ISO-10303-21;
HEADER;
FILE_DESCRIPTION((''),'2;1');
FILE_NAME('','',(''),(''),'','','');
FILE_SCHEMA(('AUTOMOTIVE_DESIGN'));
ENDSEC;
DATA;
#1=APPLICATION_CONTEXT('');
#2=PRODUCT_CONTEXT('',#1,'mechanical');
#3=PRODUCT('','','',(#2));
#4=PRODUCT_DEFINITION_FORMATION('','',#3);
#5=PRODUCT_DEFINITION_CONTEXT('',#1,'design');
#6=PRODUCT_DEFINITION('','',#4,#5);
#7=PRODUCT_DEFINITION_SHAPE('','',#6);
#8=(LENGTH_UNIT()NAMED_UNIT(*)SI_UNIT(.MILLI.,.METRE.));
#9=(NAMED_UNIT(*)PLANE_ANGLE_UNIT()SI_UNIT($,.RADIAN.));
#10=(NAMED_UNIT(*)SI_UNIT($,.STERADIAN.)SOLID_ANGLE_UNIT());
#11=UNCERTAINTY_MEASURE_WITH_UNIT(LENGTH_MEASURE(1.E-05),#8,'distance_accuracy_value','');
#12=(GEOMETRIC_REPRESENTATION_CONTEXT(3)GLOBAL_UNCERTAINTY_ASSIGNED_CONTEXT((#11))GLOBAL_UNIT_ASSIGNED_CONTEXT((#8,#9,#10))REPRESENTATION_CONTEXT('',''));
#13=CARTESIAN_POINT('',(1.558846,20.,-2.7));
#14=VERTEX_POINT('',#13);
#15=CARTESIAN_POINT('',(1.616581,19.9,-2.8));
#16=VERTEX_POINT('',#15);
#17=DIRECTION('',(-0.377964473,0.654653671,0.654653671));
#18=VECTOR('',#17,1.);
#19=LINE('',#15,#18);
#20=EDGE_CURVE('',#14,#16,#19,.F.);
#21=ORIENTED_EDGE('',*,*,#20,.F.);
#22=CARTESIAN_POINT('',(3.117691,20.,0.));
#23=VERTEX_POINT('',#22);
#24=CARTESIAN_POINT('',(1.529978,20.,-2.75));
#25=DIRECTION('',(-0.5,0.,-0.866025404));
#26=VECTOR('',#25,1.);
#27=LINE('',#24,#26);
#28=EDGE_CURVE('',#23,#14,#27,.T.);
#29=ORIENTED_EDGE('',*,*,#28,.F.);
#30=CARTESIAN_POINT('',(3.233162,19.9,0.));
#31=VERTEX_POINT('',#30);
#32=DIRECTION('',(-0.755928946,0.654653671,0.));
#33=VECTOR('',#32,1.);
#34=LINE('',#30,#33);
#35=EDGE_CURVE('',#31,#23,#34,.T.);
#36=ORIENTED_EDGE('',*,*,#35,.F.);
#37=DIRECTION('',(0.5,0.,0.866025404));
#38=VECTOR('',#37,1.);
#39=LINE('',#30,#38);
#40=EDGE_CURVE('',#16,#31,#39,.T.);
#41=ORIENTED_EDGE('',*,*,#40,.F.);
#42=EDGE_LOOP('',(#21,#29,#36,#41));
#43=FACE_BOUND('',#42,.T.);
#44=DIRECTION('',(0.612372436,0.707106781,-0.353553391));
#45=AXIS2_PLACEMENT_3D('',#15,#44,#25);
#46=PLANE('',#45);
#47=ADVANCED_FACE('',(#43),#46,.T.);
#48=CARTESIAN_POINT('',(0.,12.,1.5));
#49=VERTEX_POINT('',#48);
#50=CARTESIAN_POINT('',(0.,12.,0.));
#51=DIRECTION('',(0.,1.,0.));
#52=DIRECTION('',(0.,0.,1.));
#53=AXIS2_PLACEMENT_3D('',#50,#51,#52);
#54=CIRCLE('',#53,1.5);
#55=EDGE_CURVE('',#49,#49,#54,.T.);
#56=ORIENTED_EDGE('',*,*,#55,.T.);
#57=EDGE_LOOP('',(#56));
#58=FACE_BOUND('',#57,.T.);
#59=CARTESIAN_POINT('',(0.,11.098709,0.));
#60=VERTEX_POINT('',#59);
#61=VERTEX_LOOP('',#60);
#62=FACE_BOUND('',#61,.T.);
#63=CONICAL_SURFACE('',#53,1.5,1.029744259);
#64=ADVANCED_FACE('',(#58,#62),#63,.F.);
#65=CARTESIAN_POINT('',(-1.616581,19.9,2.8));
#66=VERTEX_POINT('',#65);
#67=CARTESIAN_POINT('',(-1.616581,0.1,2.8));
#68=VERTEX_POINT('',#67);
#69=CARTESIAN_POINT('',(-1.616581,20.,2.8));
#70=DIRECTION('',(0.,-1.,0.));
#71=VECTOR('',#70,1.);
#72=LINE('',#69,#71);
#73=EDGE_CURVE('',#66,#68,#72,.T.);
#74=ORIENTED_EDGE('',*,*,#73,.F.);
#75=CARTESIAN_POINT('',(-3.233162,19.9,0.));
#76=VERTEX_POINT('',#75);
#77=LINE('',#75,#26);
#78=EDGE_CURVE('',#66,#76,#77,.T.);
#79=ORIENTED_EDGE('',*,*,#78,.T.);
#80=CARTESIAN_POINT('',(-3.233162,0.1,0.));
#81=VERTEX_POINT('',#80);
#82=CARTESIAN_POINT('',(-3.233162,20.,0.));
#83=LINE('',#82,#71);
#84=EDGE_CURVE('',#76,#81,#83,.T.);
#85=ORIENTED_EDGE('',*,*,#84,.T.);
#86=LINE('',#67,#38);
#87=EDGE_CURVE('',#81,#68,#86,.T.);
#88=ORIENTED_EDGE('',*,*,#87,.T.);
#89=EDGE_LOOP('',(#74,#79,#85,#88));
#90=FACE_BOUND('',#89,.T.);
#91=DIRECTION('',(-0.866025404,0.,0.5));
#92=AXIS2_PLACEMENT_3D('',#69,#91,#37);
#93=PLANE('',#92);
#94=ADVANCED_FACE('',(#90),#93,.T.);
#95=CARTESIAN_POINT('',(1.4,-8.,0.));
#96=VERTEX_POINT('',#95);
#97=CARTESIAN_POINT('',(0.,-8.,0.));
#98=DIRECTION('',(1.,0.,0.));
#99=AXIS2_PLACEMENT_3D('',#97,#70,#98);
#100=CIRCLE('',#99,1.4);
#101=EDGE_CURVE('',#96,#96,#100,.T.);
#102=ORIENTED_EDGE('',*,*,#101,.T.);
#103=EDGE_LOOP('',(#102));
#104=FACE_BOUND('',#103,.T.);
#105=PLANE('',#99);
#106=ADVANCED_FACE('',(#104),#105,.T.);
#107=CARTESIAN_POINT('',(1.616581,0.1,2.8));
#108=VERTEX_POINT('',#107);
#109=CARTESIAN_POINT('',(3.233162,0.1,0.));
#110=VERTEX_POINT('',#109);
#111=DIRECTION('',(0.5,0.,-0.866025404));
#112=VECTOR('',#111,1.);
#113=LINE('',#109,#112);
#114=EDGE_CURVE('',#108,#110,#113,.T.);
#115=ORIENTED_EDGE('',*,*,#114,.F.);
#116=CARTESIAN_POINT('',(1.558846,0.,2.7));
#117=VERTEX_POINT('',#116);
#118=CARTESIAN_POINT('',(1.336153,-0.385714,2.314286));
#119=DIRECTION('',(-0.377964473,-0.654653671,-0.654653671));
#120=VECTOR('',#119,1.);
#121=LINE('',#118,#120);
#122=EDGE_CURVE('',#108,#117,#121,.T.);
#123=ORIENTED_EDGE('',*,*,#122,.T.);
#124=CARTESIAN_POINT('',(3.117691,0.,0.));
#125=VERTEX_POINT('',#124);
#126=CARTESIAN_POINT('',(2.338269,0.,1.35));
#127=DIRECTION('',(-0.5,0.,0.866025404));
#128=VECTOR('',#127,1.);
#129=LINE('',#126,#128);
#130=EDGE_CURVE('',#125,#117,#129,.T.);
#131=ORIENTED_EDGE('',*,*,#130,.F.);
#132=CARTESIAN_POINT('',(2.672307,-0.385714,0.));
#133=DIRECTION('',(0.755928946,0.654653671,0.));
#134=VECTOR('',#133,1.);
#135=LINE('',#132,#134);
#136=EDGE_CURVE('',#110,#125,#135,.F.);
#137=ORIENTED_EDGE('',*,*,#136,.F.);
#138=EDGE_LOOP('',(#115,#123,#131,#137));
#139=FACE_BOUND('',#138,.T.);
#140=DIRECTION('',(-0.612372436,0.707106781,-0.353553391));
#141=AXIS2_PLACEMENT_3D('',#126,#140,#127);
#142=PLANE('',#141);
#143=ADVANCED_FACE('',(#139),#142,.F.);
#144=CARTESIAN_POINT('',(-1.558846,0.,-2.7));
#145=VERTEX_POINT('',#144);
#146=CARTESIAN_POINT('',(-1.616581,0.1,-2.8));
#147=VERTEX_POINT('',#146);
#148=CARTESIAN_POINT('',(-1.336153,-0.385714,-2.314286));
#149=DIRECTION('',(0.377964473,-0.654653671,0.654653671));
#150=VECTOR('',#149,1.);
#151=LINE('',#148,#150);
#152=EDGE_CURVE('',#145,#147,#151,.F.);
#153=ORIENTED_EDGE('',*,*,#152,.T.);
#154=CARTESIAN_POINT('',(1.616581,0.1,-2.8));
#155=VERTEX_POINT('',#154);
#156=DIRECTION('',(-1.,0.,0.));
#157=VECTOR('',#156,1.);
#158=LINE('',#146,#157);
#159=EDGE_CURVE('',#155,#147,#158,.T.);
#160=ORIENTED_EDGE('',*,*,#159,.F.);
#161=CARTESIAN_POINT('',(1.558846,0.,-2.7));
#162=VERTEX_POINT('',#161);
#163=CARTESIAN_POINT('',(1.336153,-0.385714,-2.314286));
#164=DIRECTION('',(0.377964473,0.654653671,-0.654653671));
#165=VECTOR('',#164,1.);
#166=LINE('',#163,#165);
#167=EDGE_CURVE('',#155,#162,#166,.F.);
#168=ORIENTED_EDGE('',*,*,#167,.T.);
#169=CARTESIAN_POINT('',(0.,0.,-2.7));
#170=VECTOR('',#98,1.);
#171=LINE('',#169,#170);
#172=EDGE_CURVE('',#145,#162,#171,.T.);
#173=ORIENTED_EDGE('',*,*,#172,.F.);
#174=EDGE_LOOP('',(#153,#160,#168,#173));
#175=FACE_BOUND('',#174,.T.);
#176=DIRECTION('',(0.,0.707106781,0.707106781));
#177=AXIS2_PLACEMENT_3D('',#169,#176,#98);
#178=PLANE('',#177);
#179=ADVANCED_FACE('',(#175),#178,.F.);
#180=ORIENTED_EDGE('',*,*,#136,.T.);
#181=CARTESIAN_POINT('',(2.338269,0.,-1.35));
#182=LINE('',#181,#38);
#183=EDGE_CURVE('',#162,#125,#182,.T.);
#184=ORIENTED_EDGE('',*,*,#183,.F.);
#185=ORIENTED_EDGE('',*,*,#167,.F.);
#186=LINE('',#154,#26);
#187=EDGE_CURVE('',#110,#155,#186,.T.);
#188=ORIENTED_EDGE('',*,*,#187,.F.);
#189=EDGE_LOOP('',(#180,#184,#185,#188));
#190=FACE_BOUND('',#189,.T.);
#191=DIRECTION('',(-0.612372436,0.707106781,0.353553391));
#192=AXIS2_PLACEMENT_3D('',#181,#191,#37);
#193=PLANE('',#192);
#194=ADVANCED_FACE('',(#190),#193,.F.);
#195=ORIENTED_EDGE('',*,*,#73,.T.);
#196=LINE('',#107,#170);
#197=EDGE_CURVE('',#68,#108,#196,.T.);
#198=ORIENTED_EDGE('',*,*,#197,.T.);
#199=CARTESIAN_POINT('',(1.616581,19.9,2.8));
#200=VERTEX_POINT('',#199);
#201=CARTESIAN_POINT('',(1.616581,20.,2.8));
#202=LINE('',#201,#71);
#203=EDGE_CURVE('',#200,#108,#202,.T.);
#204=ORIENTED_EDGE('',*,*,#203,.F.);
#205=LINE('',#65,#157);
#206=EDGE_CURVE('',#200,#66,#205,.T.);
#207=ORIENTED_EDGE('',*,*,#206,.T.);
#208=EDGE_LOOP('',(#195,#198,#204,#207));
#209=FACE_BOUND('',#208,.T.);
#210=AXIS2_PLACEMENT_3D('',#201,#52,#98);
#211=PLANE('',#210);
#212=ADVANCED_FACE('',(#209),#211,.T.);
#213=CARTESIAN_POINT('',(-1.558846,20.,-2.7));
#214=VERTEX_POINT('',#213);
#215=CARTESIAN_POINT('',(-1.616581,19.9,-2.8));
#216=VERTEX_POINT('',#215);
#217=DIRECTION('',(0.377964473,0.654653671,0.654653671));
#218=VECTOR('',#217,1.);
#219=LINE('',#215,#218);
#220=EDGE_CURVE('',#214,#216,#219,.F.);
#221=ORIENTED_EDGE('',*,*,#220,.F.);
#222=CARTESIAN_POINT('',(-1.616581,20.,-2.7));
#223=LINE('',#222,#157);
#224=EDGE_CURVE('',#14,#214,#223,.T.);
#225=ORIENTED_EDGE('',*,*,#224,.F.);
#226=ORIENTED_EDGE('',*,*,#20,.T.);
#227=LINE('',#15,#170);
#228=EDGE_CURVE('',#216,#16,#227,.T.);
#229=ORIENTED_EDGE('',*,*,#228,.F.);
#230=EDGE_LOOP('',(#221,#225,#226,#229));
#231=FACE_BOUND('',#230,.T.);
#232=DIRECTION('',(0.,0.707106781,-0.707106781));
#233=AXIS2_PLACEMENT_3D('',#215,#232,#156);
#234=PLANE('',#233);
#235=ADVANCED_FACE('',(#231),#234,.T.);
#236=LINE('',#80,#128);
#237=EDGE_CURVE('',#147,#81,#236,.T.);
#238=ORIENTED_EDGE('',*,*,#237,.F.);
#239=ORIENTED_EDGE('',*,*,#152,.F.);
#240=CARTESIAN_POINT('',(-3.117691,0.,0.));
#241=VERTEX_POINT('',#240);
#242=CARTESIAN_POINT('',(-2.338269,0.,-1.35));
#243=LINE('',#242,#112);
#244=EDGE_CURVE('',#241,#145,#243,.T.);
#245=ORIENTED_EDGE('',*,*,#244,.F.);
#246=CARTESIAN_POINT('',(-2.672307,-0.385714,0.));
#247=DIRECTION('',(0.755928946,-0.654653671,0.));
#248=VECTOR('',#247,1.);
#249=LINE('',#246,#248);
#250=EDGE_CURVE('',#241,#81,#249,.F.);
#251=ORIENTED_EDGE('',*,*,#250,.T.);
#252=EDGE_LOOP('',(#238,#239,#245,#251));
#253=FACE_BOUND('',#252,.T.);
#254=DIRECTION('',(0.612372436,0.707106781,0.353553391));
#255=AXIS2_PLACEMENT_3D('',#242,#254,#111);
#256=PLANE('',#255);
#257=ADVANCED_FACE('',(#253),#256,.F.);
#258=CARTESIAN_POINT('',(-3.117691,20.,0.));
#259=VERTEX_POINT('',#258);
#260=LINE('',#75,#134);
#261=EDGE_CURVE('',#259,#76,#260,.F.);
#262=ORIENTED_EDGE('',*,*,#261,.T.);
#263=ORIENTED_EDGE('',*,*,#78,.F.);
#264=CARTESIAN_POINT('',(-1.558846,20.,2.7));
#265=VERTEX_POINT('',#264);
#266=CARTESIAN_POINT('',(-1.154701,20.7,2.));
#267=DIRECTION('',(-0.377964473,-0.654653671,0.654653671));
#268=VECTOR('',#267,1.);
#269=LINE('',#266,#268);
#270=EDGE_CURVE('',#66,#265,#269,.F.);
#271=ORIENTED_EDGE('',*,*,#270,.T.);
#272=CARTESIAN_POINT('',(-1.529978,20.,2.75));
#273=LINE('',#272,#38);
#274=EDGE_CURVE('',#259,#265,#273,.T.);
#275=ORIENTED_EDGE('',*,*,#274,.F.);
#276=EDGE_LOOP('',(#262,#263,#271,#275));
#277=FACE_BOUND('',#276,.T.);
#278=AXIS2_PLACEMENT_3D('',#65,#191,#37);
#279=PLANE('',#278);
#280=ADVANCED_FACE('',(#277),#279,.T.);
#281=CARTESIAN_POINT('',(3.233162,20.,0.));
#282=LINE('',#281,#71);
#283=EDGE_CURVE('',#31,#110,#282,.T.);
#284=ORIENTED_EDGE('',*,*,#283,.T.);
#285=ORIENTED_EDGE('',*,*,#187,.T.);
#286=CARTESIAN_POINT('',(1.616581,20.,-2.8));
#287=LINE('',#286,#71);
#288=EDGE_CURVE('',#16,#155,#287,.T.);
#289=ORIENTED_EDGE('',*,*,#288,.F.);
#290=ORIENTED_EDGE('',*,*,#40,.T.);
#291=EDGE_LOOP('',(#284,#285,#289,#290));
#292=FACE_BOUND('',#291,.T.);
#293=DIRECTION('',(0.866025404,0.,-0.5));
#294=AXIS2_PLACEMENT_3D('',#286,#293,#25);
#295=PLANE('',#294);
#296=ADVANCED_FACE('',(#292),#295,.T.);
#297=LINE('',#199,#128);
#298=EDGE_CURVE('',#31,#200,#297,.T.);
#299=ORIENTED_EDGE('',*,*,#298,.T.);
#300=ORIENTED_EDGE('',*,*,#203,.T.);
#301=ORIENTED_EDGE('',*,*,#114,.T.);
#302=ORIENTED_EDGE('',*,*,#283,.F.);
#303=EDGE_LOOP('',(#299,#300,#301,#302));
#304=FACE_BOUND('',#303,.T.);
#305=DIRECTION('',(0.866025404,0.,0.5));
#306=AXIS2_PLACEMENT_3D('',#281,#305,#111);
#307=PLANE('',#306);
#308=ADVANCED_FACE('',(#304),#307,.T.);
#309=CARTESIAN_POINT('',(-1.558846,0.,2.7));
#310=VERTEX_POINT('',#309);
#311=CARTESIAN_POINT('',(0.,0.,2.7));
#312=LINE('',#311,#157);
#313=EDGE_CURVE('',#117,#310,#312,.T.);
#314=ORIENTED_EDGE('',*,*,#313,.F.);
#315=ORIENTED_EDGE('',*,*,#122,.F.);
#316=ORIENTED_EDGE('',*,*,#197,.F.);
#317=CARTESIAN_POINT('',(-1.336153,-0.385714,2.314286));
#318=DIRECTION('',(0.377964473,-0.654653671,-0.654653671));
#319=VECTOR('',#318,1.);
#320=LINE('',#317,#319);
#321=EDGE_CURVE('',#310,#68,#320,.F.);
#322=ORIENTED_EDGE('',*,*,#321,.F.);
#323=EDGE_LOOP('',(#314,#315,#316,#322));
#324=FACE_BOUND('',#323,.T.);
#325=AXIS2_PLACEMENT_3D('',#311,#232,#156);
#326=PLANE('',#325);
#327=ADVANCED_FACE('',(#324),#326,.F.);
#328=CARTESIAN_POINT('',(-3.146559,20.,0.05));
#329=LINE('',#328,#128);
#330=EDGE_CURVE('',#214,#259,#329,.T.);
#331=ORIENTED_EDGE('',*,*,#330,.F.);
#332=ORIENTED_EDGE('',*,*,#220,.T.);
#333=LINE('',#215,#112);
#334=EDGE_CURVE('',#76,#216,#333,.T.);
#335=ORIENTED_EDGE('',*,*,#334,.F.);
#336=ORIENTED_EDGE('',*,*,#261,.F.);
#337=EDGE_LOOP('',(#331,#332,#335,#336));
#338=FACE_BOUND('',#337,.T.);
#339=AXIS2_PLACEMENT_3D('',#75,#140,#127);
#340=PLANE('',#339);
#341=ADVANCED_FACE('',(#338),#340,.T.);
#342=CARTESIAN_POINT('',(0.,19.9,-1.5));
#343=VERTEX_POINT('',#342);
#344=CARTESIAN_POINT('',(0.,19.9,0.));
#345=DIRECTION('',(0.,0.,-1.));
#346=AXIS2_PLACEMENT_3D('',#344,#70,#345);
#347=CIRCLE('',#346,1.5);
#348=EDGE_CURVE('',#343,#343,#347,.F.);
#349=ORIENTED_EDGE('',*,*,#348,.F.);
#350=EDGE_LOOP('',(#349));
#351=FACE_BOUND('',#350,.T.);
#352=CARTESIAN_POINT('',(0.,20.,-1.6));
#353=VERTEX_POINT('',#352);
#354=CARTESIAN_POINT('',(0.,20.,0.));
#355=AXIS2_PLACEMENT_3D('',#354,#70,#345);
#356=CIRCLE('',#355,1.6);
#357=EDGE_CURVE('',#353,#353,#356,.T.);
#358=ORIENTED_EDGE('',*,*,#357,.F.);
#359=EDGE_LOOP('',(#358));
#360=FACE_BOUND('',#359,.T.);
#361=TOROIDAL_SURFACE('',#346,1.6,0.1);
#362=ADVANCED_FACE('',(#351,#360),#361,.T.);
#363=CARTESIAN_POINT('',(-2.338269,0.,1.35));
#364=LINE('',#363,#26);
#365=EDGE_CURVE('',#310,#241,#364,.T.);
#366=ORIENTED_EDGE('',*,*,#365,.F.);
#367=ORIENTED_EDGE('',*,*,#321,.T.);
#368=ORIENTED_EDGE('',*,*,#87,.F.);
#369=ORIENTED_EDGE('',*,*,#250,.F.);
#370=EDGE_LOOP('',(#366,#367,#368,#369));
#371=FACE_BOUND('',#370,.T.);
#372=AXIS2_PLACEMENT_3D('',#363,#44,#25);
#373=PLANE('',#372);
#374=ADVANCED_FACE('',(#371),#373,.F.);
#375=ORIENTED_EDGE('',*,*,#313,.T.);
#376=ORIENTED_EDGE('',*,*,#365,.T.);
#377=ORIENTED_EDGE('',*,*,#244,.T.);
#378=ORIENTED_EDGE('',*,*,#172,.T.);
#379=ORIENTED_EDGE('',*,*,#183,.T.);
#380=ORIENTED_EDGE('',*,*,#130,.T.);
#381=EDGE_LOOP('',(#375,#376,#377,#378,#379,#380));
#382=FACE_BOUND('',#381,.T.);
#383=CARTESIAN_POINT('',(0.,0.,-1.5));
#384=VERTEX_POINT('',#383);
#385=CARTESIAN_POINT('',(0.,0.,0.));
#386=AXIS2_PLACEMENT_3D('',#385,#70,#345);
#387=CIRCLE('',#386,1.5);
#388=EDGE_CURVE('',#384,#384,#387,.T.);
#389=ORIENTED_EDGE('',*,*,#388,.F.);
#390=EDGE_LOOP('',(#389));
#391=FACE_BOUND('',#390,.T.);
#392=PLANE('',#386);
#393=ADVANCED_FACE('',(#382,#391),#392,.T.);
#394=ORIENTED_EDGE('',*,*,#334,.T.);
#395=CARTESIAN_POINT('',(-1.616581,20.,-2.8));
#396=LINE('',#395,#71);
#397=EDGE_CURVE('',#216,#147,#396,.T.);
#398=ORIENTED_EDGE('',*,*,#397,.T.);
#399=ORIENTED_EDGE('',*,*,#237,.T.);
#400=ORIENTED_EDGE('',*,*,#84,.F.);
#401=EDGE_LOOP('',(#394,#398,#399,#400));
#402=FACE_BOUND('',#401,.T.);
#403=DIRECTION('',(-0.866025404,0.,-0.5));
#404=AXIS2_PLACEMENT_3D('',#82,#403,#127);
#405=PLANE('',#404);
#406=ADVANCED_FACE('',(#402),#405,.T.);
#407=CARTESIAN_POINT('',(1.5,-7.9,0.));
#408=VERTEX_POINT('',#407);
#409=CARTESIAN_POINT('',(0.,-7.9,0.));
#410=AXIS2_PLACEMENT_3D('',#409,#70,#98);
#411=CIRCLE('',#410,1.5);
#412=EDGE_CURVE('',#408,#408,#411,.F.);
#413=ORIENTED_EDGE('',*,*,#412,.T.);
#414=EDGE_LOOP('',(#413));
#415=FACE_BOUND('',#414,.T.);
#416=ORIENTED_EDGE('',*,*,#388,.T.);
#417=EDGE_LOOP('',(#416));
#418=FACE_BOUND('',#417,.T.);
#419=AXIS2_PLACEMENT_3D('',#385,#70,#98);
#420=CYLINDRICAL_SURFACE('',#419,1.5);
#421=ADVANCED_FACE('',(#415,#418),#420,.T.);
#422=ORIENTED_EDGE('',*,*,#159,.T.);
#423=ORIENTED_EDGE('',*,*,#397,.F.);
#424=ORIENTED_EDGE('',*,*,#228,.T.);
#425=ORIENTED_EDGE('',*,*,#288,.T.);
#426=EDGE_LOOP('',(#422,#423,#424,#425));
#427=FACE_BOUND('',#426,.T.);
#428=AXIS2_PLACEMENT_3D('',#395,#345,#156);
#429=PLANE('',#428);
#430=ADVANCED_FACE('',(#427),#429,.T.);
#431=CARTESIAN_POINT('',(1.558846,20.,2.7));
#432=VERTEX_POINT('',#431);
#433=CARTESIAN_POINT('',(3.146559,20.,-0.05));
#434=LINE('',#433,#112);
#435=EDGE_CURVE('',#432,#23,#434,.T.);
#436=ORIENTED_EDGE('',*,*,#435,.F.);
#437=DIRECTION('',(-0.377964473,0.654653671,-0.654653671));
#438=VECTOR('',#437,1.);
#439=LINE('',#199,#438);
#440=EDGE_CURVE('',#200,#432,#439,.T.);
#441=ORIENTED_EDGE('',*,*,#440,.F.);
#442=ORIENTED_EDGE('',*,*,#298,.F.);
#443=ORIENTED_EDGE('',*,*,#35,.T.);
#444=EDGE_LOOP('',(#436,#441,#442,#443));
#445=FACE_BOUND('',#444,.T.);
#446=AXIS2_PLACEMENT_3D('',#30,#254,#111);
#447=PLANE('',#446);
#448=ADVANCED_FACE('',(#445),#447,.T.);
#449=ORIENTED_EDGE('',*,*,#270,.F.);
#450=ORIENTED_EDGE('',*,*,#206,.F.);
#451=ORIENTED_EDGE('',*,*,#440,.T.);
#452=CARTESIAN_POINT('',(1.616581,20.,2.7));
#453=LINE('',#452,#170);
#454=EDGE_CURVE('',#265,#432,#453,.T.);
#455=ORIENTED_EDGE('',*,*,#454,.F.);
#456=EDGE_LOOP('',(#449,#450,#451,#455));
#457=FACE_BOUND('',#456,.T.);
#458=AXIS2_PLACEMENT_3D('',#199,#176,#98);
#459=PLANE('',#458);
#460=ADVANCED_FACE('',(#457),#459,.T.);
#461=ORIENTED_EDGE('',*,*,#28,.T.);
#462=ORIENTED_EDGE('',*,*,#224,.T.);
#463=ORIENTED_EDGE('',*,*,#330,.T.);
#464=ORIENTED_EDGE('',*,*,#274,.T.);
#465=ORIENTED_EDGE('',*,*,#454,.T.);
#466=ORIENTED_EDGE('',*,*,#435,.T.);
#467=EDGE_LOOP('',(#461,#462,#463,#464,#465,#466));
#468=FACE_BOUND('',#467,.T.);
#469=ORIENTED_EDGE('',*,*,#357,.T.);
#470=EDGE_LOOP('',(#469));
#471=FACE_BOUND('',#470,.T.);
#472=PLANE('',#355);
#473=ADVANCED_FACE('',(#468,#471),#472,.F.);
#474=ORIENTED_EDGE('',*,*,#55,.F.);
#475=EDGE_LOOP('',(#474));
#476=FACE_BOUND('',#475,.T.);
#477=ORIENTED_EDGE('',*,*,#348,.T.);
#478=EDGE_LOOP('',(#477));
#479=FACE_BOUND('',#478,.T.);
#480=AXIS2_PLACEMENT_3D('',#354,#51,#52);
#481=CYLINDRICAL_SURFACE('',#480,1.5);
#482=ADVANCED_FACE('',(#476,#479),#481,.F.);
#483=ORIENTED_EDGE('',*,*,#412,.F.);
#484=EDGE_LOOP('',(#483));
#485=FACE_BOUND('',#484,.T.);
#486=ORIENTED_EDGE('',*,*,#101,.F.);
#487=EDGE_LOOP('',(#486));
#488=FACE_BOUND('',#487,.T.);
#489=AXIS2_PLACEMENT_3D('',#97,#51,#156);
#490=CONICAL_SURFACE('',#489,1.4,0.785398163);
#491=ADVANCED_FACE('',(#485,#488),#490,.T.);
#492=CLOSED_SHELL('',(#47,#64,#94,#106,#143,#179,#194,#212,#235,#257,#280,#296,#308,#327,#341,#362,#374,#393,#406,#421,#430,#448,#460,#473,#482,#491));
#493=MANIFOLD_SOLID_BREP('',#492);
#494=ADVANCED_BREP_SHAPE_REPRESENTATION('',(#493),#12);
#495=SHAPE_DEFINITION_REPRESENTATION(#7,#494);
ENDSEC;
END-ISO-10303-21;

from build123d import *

# Parameters (mm, degrees)
BOSS_EXTRUDE1_DEPTH       = 20
SKETCH2_W                 = 1.5
SKETCH2_H                 = 8
F_3_0MM_DOWEL_HOLE1_D     = 3
F_3_0MM_DOWEL_HOLE1_DEPTH = 8
F_3_0MM_DOWEL_HOLE1_TIP   = 0.901290929
FILLET1_R                 = 0.1
CHAMFER1_SIZE             = 0.1


with BuildPart() as part:
    # Sketch1 → Boss-Extrude1 (new body)
    with BuildSketch(Plane.XZ):
        Polygon((-1.616580754, 2.8), (-3.233161507, 0), (-1.616580754, -2.8), (1.616580754, -2.8), (3.233161507, 0), (1.616580754, 2.8), align=None)
    extrude(amount=-BOSS_EXTRUDE1_DEPTH)

    # Sketch2 → Revolve1 (revolve)
    with BuildSketch(Plane.XY):
        with Locations((0.75, -4)):
            Rectangle(SKETCH2_W, SKETCH2_H)
    revolve(axis=Axis((0, 0, 0), (0, -1, 0)))

    # Ø3.0mm Dowel Hole1
    with Locations(Plane(origin=(0, 20, 0), x_dir=(1, 0, 0), z_dir=(0, 1, 0))):
        with Locations((0, 0)):
            Hole(F_3_0MM_DOWEL_HOLE1_D / 2, depth=F_3_0MM_DOWEL_HOLE1_DEPTH)
            with Locations((0, 0, -(F_3_0MM_DOWEL_HOLE1_DEPTH + F_3_0MM_DOWEL_HOLE1_TIP / 2))):  # 118° drill point
                Cone(0, F_3_0MM_DOWEL_HOLE1_D / 2, F_3_0MM_DOWEL_HOLE1_TIP, mode=Mode.SUBTRACT)

    # Fillet1
    fillet1_edges = [part.edges().sort_by_distance(p)[0] for p in [
        (1.5, 20, 0),
    ]]
    fillet(fillet1_edges, radius=FILLET1_R)

    # Chamfer1
    chamfer1_edges = [part.edges().sort_by_distance(p)[0] for p in [
        (-2.424871131, 20, -1.4),
        (0, 20, -2.8),
        (2.424871131, 20, -1.4),
        (2.424871131, 20, 1.4),
        (-1.5, -8, 0),
        (0, 20, 2.8),
        (2.424871131, 0, 1.4),
        (2.424871131, 0, -1.4),
        (0, 0, -2.8),
        (-2.424871131, 20, 1.4),
        (-2.424871131, 0, -1.4),
        (-2.424871131, 0, 1.4),
        (0, 0, 2.8),
    ]]
    chamfer(chamfer1_edges, length=CHAMFER1_SIZE)


solid = part.part
